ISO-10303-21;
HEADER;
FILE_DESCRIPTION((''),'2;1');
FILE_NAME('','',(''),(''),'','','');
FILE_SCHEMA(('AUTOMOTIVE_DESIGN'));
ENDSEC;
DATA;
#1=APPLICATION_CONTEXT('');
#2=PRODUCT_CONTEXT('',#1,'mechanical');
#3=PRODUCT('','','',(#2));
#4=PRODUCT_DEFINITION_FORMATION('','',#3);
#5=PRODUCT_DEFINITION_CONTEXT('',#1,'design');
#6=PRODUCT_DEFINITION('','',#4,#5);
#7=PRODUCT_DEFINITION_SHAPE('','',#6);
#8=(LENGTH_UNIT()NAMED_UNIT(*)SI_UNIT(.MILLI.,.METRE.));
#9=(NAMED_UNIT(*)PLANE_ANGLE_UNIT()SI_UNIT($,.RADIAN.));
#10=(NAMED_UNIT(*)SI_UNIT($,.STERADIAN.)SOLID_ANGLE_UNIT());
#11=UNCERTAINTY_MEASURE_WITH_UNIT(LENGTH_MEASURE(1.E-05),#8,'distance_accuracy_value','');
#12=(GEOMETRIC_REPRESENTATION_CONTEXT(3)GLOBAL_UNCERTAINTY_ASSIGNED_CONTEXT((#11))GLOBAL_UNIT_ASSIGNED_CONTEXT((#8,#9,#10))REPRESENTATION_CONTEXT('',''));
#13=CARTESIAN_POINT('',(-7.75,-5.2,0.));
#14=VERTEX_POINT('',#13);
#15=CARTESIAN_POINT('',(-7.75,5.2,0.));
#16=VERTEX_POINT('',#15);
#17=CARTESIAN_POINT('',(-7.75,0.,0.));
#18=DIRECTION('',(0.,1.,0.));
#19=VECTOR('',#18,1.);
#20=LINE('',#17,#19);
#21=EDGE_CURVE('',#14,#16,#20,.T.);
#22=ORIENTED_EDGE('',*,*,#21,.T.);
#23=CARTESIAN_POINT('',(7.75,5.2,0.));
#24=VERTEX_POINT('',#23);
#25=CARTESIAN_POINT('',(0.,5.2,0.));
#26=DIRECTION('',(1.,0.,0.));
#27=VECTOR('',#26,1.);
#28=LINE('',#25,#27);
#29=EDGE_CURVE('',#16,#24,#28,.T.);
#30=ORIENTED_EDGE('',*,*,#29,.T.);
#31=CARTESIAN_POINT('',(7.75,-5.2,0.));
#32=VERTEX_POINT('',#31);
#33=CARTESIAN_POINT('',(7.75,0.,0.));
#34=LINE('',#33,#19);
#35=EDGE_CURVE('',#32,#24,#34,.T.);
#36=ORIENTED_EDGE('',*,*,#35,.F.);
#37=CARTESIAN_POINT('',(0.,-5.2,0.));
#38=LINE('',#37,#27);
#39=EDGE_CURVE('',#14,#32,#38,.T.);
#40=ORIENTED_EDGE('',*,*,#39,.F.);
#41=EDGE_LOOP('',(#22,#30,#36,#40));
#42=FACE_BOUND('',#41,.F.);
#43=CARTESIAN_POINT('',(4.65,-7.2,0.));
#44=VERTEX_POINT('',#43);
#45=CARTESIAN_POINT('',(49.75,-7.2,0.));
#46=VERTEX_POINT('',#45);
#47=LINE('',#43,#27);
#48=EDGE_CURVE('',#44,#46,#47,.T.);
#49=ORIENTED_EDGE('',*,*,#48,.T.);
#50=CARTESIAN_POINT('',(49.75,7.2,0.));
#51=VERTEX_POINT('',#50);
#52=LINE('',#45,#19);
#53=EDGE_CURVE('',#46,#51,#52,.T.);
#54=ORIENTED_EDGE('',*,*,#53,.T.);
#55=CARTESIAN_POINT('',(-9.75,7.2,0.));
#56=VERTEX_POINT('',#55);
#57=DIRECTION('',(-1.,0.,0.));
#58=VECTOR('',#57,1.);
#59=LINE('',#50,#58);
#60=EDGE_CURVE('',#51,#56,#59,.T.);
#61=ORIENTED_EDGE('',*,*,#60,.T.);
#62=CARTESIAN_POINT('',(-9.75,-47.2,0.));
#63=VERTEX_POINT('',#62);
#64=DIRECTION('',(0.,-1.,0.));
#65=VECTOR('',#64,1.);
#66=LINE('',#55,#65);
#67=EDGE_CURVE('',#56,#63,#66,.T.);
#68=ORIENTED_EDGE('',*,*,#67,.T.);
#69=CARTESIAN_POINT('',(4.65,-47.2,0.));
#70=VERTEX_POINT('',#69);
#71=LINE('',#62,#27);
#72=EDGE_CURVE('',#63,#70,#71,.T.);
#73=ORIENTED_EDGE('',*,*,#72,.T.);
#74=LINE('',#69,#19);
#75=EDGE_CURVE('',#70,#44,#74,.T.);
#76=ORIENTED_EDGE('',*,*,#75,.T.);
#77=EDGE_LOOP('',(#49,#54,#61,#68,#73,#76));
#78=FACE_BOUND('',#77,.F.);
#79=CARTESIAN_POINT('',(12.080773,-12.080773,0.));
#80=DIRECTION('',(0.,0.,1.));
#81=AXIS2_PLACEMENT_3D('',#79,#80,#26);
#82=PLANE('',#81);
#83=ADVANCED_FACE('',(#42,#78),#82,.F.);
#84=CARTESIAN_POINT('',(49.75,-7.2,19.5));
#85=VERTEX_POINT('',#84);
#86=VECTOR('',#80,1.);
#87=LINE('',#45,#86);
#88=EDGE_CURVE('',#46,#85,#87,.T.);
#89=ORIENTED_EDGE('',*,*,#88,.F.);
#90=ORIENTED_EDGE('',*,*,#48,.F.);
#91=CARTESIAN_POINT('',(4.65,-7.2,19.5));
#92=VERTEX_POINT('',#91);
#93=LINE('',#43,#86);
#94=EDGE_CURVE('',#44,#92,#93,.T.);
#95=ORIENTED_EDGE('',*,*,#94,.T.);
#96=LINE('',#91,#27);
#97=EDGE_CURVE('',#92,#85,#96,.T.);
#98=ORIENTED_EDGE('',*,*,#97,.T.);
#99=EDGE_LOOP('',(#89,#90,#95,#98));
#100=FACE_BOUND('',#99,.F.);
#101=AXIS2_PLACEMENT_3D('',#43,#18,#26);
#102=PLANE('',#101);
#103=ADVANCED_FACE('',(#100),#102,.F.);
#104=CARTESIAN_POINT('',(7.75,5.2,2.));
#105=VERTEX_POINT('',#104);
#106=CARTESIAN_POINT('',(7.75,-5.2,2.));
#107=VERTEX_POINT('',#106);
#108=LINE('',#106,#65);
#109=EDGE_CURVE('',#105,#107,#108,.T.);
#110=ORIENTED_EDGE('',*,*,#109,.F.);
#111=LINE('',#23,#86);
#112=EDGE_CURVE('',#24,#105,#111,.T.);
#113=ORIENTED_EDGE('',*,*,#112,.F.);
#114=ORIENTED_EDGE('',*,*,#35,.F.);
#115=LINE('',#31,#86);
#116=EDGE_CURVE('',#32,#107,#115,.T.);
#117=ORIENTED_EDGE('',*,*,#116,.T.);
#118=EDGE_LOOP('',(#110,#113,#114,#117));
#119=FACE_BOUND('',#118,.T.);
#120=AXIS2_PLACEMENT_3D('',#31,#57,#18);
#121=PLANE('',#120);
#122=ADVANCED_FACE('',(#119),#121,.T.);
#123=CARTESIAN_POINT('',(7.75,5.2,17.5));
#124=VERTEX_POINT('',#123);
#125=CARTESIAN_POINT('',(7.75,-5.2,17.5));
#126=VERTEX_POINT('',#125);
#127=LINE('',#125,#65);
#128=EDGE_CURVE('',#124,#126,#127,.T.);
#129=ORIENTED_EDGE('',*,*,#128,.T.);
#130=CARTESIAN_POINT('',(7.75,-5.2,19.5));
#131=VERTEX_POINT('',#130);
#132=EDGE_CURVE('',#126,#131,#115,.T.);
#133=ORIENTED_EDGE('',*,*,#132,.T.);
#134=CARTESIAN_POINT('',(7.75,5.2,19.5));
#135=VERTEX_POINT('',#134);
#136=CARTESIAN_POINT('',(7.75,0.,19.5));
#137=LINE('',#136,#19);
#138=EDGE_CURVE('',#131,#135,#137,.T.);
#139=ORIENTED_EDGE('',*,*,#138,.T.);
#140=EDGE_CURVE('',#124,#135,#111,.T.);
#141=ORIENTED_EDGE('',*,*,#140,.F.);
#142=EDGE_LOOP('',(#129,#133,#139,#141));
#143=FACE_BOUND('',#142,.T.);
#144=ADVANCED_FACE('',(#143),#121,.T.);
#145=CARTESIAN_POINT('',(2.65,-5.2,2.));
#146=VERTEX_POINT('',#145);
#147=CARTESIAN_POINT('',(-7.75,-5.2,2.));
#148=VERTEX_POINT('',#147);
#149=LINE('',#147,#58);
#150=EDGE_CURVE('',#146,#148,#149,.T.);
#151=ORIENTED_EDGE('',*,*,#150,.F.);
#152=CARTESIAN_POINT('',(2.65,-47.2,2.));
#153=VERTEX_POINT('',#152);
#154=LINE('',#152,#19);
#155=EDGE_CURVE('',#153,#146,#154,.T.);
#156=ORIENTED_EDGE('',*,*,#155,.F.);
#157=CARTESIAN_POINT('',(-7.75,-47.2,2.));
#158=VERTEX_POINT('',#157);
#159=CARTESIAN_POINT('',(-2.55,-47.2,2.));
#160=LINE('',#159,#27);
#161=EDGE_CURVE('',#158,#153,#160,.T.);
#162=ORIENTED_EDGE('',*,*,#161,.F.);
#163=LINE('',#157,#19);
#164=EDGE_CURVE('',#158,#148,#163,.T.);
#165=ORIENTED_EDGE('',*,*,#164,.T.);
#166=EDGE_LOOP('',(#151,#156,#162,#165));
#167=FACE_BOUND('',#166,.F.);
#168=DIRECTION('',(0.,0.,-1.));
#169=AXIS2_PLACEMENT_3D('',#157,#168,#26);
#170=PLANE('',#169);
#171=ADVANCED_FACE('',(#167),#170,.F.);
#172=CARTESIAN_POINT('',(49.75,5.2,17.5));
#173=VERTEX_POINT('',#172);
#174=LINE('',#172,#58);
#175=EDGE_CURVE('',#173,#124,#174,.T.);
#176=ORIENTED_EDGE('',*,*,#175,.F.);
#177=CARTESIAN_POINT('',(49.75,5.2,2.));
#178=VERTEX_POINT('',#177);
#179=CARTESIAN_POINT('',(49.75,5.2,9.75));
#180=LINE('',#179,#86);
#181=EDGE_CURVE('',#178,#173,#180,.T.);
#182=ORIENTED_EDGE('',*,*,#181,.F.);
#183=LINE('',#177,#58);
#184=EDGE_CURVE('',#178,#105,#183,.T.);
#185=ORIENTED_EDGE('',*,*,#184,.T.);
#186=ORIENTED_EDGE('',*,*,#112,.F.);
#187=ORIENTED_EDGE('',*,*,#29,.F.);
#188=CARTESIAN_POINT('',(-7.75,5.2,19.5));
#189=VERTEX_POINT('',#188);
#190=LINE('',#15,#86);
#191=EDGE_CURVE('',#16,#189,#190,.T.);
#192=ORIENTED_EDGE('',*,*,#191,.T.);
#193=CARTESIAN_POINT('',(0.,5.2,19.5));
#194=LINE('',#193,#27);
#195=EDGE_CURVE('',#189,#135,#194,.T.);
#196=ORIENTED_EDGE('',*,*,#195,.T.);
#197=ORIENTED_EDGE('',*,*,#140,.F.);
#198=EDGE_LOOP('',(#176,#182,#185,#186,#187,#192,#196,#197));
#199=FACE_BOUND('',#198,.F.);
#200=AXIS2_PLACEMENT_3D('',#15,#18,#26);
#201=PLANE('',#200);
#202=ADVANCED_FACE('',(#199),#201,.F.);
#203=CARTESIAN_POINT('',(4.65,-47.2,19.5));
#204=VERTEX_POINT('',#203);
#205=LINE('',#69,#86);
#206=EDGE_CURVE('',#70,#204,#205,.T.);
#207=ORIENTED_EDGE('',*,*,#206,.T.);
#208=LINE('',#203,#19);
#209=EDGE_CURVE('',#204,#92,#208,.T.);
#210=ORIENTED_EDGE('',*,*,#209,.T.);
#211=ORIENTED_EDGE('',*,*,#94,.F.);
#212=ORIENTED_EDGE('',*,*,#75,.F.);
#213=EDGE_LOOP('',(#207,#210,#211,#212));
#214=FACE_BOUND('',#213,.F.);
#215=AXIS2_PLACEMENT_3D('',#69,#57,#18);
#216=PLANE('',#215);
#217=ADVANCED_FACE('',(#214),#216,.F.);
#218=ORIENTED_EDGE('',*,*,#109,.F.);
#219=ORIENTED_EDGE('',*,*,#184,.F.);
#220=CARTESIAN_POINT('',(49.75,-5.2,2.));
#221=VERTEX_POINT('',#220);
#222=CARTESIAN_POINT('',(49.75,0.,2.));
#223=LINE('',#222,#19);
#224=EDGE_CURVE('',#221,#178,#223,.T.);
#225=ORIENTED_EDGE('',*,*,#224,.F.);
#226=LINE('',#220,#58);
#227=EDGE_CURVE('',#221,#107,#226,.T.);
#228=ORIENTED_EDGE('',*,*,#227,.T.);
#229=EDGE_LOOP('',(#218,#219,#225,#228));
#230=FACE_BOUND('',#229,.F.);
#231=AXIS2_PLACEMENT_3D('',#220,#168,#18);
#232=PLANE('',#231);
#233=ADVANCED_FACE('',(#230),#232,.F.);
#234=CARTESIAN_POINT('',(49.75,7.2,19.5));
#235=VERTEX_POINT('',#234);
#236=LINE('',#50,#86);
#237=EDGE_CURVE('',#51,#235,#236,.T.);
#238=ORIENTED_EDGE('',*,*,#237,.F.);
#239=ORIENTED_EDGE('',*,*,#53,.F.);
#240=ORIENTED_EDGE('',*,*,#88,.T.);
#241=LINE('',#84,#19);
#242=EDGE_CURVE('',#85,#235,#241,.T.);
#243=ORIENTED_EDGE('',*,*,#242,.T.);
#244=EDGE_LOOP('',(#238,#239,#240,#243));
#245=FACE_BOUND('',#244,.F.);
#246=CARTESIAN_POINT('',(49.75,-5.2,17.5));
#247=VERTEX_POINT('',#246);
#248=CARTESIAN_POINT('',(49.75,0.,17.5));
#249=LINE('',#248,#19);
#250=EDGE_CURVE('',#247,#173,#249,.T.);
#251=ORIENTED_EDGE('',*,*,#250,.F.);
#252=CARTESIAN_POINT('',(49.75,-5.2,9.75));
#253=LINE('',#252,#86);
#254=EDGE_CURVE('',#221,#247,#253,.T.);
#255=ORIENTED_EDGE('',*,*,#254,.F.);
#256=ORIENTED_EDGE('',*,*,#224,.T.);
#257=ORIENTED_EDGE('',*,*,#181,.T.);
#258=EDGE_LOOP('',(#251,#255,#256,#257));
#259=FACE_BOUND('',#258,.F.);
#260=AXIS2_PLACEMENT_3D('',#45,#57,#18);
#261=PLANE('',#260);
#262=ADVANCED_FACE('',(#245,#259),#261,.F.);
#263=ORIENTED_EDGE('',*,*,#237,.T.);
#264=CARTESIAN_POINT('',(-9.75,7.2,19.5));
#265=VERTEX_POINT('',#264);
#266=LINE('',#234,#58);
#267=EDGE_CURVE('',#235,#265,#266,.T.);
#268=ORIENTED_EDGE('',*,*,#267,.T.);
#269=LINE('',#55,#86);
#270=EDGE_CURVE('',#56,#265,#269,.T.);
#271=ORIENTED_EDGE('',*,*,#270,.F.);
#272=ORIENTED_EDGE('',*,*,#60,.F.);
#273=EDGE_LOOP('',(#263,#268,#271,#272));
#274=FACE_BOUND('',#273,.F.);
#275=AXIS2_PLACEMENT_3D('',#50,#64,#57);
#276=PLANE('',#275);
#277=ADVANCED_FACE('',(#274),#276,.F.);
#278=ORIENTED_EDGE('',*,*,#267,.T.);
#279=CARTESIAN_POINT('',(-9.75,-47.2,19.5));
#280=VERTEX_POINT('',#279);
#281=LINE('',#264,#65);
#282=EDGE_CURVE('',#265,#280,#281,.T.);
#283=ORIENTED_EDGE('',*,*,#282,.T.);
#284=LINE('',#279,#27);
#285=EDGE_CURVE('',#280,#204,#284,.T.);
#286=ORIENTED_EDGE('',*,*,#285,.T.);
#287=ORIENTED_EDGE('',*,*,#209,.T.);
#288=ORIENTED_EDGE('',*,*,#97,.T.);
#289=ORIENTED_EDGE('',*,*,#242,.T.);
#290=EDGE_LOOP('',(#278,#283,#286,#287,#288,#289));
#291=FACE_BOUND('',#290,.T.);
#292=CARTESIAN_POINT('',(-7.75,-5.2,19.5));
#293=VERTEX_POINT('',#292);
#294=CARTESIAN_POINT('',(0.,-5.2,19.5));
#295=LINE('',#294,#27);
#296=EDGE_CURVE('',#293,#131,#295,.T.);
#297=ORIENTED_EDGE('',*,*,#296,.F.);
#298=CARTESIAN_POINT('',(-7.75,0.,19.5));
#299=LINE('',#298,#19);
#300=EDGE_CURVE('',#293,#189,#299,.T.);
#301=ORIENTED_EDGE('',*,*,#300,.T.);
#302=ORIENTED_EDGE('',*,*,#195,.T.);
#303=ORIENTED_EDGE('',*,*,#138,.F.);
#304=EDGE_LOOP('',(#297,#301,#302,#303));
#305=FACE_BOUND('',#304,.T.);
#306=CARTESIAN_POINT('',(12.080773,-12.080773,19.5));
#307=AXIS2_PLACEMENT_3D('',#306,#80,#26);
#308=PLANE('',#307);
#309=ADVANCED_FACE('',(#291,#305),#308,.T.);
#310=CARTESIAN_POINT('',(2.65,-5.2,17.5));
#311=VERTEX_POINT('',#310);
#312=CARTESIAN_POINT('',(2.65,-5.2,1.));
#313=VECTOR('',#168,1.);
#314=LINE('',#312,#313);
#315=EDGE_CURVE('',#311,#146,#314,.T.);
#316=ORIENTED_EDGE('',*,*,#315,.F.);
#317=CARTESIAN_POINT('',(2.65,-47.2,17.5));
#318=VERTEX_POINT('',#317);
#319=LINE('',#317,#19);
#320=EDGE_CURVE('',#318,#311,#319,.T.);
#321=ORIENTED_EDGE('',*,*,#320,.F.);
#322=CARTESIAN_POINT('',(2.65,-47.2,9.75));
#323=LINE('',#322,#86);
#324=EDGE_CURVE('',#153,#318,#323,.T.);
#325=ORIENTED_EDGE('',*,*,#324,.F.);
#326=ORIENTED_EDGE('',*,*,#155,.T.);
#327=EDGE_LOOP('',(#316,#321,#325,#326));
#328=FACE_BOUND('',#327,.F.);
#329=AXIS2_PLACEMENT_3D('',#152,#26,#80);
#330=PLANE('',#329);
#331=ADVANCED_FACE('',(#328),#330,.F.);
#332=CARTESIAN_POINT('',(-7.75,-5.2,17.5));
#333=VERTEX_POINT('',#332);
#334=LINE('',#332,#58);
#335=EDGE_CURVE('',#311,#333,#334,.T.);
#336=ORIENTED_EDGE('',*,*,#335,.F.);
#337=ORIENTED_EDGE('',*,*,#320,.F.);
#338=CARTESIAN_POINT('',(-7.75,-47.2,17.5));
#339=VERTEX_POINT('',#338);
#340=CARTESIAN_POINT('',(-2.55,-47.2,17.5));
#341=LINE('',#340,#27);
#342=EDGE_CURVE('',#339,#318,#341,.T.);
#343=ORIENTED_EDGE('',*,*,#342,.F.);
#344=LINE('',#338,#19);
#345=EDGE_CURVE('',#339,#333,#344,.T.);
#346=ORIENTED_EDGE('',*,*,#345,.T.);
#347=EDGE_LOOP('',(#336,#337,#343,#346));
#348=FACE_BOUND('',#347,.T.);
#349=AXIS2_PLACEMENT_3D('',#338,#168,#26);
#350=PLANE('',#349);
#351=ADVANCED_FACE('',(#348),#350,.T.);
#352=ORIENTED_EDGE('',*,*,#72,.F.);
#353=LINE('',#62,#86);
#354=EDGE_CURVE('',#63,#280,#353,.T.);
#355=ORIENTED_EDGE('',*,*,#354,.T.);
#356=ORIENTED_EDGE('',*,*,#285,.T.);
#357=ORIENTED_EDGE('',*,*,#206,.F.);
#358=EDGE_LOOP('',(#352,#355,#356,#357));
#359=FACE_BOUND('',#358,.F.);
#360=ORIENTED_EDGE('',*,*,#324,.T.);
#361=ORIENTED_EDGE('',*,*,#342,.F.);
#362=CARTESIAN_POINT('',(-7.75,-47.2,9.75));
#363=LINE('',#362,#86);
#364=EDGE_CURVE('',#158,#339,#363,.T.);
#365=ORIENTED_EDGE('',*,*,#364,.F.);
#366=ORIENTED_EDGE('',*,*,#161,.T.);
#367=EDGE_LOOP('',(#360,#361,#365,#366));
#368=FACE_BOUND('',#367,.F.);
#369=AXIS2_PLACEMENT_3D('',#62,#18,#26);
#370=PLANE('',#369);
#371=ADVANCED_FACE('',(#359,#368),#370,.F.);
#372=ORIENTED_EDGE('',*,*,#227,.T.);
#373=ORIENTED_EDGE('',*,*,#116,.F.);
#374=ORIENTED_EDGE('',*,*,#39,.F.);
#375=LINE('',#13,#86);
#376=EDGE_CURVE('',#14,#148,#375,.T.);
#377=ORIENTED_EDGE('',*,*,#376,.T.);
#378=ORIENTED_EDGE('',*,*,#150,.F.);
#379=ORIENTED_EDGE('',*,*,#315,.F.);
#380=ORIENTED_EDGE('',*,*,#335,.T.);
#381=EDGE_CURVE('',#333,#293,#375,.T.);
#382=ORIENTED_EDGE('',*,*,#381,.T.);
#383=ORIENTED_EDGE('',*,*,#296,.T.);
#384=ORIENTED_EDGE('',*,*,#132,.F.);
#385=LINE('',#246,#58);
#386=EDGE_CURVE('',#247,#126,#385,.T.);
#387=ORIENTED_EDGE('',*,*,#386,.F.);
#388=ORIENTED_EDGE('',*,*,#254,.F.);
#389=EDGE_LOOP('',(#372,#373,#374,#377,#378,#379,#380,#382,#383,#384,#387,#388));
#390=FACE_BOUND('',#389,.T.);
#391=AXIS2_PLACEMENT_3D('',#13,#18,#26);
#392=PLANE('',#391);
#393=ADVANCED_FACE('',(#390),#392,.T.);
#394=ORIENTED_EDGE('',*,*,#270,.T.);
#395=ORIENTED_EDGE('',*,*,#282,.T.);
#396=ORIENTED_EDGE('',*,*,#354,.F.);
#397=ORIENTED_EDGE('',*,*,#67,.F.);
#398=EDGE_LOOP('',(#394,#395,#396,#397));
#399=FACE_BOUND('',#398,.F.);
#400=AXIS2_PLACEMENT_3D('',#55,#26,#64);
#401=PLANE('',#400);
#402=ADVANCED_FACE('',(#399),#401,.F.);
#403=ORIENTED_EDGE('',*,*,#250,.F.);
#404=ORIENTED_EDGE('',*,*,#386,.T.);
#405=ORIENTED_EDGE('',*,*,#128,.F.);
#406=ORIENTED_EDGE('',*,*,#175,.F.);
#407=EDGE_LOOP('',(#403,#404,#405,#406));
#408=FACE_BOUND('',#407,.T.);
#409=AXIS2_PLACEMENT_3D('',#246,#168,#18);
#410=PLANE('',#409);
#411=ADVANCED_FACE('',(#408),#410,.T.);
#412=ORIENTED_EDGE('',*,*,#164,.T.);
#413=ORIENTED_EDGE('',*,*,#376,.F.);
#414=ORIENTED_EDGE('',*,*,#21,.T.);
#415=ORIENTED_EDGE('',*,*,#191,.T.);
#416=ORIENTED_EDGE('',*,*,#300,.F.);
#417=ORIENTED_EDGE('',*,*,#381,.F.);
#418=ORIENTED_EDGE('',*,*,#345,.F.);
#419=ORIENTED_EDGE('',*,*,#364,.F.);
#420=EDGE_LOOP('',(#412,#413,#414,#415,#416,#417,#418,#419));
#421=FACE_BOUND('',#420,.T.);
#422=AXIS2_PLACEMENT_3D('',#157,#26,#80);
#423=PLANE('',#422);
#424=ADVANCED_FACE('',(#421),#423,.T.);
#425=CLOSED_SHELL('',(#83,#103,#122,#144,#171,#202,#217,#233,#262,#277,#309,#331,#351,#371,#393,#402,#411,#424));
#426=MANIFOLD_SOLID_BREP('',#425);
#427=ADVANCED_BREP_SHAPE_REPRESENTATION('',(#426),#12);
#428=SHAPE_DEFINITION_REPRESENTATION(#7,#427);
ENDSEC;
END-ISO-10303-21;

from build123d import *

# Parameters (mm, degrees)
SKETCH004_W     = 15.5
SKETCH004_H     = 10.4
PAD003_DEPTH    = 19.5
SKETCH005_W     = 10.4
SKETCH005_H     = 15.5
POCKET_DEPTH    = 45
SKETCH006_W     = 10.4
SKETCH006_H     = 15.5
POCKET001_DEPTH = 45


with BuildPart() as part:
    # Sketch004 → Pad003 (new body)
    with BuildSketch(Plane.XY):
        Polygon((-9.75, 7.2), (-9.75, -47.2), (4.65, -47.2), (4.65, -7.2), (49.75, -7.2), (49.75, 7.2), align=None)
        Rectangle(SKETCH004_W, SKETCH004_H, mode=Mode.SUBTRACT)
    extrude(amount=PAD003_DEPTH)

    # Sketch005 (on Face2 of Pad003) → Pocket (cut)
    with BuildSketch(Plane.XZ.offset(47.2)):
        with Locations((-2.55, 9.75)):
            Rectangle(SKETCH005_W, SKETCH005_H)
    extrude(amount=-POCKET_DEPTH, mode=Mode.SUBTRACT)

    # Sketch006 (on Face6 of Pocket) → Pocket001 (cut)
    with BuildSketch(Plane.YZ.offset(49.75)):
        with Locations((0, 9.75)):
            Rectangle(SKETCH006_W, SKETCH006_H)
    extrude(amount=-POCKET001_DEPTH, mode=Mode.SUBTRACT)


solid = part.part
